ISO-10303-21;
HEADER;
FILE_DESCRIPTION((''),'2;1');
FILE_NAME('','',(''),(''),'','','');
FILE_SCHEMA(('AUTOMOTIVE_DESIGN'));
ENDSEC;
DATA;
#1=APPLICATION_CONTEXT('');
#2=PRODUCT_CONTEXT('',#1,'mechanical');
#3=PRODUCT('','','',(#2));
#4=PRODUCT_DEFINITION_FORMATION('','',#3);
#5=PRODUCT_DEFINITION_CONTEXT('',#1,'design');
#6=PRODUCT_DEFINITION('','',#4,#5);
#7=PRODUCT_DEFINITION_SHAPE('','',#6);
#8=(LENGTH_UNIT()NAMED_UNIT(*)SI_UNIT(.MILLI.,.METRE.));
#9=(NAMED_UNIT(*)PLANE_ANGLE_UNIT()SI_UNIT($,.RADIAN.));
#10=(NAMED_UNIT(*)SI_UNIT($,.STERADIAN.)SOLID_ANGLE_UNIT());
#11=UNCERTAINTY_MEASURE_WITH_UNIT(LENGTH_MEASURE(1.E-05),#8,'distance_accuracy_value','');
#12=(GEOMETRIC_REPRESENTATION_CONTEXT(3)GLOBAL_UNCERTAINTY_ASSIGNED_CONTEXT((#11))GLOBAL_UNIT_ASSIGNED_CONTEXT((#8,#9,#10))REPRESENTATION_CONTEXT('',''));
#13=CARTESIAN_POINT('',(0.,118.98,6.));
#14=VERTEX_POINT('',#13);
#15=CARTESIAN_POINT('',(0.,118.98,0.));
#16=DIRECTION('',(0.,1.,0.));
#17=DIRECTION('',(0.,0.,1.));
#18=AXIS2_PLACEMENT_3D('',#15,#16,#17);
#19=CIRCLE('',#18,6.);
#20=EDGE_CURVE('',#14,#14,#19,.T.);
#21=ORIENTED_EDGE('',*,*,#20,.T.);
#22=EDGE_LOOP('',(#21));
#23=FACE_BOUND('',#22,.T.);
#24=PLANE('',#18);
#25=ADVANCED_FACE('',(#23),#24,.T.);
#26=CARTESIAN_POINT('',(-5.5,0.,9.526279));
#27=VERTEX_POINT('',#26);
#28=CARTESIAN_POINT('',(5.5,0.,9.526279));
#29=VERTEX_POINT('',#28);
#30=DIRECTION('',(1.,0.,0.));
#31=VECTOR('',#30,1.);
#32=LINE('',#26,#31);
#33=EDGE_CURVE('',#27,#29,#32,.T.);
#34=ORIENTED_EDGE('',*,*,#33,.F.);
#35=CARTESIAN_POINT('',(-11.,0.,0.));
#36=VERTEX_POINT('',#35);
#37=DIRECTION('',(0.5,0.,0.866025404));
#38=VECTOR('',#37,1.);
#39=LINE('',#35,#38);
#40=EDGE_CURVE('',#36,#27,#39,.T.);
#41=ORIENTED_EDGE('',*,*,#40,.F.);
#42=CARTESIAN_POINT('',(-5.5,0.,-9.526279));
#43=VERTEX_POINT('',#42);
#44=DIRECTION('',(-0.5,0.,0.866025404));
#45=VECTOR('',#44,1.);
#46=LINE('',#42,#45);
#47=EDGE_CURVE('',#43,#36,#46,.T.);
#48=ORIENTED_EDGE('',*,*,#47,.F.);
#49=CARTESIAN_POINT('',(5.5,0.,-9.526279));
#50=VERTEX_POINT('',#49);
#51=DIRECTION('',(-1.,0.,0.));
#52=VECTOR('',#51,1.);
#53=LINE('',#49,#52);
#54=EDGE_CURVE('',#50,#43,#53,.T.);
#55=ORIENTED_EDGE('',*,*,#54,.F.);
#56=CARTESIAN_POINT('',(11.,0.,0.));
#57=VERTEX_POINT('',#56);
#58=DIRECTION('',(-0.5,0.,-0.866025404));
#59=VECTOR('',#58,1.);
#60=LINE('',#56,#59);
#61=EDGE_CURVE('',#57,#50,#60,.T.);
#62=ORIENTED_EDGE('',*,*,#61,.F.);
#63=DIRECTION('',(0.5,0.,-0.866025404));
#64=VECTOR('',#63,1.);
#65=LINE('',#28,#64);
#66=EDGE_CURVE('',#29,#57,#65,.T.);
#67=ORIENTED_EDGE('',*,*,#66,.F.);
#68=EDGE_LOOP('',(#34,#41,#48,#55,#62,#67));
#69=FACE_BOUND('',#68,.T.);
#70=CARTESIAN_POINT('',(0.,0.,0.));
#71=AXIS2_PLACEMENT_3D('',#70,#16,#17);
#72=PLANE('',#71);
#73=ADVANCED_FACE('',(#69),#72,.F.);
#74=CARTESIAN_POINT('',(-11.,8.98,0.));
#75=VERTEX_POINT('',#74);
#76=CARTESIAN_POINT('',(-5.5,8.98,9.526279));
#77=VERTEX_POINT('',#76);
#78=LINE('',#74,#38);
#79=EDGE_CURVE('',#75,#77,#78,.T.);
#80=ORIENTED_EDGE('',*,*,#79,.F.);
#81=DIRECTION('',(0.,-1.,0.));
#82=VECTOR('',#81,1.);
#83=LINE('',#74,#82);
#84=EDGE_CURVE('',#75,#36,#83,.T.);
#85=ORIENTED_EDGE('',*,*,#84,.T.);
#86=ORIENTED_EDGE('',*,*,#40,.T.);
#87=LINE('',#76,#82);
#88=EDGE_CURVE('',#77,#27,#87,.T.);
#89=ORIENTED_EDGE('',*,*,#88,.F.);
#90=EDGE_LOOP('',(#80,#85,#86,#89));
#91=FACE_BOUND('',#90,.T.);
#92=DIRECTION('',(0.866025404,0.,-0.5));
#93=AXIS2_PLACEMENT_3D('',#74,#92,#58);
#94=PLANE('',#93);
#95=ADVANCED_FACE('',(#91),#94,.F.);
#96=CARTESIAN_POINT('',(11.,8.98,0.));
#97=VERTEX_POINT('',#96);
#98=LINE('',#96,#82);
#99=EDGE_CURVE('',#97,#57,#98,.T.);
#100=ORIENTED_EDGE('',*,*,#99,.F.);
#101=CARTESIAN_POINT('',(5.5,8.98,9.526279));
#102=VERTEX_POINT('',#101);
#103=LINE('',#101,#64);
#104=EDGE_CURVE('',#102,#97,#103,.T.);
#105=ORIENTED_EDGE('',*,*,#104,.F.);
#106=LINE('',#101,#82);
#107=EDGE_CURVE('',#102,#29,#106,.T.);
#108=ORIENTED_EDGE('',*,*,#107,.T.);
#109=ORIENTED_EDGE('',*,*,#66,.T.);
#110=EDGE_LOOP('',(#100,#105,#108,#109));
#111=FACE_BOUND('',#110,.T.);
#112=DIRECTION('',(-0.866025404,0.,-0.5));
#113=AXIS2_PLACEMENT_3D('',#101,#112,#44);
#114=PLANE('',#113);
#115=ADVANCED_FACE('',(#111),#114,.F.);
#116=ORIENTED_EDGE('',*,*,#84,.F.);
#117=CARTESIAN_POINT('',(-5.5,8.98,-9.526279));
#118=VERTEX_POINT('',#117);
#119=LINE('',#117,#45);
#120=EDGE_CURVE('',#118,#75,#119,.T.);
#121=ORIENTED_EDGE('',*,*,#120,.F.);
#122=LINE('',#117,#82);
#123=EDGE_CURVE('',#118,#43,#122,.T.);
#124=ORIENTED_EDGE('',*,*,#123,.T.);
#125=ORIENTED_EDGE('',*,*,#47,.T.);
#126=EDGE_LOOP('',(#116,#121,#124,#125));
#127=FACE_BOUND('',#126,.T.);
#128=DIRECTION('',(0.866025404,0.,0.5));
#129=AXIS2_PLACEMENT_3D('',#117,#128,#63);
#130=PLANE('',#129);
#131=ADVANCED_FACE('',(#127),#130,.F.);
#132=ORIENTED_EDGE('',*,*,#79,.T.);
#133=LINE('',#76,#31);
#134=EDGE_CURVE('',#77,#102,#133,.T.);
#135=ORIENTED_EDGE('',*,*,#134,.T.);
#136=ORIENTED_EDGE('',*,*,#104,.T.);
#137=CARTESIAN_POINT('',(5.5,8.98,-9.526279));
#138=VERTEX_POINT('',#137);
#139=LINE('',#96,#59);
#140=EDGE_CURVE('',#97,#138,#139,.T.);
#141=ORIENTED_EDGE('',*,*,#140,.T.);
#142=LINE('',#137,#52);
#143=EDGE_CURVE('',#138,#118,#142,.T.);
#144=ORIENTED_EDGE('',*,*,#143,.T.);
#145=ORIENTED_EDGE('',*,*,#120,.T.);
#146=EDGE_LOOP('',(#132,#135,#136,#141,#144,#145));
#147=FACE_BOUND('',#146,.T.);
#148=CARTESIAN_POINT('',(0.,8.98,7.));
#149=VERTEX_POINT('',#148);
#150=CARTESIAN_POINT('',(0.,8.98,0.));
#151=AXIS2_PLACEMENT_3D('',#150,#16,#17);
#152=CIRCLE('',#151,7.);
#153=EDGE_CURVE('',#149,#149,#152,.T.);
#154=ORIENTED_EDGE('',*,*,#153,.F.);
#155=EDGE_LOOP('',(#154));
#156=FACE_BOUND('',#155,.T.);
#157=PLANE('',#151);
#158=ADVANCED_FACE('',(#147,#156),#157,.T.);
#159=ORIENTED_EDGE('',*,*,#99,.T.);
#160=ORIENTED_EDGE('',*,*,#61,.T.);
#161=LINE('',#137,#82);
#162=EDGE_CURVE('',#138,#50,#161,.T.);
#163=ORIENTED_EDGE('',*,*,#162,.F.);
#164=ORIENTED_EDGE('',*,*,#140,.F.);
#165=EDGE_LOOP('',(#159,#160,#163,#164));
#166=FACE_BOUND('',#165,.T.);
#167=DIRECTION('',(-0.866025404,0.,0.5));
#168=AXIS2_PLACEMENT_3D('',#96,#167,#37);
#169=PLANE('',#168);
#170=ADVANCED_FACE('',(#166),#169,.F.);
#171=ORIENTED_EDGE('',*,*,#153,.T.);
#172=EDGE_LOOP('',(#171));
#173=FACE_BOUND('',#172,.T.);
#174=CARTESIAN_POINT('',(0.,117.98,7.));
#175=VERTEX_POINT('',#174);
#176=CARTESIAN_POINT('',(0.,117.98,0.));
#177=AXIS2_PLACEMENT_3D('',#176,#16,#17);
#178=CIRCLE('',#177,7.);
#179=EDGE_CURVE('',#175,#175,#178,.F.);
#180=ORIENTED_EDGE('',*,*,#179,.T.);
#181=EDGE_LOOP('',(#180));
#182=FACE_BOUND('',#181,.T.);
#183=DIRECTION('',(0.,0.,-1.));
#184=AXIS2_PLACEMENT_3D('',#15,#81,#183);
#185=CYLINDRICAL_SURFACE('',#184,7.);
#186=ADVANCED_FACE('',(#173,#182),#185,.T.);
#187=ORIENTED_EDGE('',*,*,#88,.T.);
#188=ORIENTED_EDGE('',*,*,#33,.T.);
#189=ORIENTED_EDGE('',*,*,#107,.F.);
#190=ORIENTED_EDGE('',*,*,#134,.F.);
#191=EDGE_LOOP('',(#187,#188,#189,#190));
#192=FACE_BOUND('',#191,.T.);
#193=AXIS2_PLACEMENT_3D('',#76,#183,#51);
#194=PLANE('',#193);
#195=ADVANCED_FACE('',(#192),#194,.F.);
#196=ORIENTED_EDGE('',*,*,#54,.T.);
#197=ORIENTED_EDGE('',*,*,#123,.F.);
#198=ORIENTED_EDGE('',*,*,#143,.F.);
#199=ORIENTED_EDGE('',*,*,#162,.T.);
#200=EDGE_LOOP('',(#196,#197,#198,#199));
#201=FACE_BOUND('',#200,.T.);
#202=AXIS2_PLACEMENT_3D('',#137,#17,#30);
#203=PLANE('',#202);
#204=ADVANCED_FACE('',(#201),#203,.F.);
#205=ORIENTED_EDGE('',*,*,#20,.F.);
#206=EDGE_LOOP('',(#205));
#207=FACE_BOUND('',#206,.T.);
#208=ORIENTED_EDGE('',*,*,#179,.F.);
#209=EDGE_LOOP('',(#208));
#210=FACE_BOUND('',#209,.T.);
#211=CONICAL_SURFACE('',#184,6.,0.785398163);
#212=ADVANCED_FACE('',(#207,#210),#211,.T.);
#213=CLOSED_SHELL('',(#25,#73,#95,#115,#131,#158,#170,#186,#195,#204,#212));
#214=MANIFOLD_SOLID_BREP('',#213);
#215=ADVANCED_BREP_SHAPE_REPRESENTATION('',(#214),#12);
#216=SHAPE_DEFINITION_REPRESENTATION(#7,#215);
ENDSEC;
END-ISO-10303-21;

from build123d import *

# Parameters (mm, degrees)
SALIENTE_EXTRUIR1_DEPTH = 8.98
CROQUIS2_R              = 7
SALIENTE_EXTRUIR3_DEPTH = 110
CHAFL_N4_SIZE           = 1


with BuildPart() as part:
    # Croquis1 → Saliente-Extruir1 (new body)
    with BuildSketch(Plane(origin=(0, 0, 0), x_dir=(1, 0, 0), z_dir=(0, 1, 0))):
        Polygon((11, 0), (5.5, 9.526279442), (-5.5, 9.526279442), (-11, 0), (-5.5, -9.526279442), (5.5, -9.526279442), align=None)
    extrude(amount=SALIENTE_EXTRUIR1_DEPTH)

    # Croquis2 → Saliente-Extruir3 (add)
    with BuildSketch(Plane(origin=(0, 8.98, 0), x_dir=(1, 0, 0), z_dir=(0, 1, 0))):
        with Locations(Location((0, 0, 0), (0, 0, 270))):
            Circle(CROQUIS2_R)
    extrude(amount=SALIENTE_EXTRUIR3_DEPTH)

    # Chaflán4
    chafl_n4_edges = [part.edges().sort_by_distance(p)[0] for p in [
        (0, 118.98, -7),
    ]]
    chamfer(chafl_n4_edges, length=CHAFL_N4_SIZE)


solid = part.part
